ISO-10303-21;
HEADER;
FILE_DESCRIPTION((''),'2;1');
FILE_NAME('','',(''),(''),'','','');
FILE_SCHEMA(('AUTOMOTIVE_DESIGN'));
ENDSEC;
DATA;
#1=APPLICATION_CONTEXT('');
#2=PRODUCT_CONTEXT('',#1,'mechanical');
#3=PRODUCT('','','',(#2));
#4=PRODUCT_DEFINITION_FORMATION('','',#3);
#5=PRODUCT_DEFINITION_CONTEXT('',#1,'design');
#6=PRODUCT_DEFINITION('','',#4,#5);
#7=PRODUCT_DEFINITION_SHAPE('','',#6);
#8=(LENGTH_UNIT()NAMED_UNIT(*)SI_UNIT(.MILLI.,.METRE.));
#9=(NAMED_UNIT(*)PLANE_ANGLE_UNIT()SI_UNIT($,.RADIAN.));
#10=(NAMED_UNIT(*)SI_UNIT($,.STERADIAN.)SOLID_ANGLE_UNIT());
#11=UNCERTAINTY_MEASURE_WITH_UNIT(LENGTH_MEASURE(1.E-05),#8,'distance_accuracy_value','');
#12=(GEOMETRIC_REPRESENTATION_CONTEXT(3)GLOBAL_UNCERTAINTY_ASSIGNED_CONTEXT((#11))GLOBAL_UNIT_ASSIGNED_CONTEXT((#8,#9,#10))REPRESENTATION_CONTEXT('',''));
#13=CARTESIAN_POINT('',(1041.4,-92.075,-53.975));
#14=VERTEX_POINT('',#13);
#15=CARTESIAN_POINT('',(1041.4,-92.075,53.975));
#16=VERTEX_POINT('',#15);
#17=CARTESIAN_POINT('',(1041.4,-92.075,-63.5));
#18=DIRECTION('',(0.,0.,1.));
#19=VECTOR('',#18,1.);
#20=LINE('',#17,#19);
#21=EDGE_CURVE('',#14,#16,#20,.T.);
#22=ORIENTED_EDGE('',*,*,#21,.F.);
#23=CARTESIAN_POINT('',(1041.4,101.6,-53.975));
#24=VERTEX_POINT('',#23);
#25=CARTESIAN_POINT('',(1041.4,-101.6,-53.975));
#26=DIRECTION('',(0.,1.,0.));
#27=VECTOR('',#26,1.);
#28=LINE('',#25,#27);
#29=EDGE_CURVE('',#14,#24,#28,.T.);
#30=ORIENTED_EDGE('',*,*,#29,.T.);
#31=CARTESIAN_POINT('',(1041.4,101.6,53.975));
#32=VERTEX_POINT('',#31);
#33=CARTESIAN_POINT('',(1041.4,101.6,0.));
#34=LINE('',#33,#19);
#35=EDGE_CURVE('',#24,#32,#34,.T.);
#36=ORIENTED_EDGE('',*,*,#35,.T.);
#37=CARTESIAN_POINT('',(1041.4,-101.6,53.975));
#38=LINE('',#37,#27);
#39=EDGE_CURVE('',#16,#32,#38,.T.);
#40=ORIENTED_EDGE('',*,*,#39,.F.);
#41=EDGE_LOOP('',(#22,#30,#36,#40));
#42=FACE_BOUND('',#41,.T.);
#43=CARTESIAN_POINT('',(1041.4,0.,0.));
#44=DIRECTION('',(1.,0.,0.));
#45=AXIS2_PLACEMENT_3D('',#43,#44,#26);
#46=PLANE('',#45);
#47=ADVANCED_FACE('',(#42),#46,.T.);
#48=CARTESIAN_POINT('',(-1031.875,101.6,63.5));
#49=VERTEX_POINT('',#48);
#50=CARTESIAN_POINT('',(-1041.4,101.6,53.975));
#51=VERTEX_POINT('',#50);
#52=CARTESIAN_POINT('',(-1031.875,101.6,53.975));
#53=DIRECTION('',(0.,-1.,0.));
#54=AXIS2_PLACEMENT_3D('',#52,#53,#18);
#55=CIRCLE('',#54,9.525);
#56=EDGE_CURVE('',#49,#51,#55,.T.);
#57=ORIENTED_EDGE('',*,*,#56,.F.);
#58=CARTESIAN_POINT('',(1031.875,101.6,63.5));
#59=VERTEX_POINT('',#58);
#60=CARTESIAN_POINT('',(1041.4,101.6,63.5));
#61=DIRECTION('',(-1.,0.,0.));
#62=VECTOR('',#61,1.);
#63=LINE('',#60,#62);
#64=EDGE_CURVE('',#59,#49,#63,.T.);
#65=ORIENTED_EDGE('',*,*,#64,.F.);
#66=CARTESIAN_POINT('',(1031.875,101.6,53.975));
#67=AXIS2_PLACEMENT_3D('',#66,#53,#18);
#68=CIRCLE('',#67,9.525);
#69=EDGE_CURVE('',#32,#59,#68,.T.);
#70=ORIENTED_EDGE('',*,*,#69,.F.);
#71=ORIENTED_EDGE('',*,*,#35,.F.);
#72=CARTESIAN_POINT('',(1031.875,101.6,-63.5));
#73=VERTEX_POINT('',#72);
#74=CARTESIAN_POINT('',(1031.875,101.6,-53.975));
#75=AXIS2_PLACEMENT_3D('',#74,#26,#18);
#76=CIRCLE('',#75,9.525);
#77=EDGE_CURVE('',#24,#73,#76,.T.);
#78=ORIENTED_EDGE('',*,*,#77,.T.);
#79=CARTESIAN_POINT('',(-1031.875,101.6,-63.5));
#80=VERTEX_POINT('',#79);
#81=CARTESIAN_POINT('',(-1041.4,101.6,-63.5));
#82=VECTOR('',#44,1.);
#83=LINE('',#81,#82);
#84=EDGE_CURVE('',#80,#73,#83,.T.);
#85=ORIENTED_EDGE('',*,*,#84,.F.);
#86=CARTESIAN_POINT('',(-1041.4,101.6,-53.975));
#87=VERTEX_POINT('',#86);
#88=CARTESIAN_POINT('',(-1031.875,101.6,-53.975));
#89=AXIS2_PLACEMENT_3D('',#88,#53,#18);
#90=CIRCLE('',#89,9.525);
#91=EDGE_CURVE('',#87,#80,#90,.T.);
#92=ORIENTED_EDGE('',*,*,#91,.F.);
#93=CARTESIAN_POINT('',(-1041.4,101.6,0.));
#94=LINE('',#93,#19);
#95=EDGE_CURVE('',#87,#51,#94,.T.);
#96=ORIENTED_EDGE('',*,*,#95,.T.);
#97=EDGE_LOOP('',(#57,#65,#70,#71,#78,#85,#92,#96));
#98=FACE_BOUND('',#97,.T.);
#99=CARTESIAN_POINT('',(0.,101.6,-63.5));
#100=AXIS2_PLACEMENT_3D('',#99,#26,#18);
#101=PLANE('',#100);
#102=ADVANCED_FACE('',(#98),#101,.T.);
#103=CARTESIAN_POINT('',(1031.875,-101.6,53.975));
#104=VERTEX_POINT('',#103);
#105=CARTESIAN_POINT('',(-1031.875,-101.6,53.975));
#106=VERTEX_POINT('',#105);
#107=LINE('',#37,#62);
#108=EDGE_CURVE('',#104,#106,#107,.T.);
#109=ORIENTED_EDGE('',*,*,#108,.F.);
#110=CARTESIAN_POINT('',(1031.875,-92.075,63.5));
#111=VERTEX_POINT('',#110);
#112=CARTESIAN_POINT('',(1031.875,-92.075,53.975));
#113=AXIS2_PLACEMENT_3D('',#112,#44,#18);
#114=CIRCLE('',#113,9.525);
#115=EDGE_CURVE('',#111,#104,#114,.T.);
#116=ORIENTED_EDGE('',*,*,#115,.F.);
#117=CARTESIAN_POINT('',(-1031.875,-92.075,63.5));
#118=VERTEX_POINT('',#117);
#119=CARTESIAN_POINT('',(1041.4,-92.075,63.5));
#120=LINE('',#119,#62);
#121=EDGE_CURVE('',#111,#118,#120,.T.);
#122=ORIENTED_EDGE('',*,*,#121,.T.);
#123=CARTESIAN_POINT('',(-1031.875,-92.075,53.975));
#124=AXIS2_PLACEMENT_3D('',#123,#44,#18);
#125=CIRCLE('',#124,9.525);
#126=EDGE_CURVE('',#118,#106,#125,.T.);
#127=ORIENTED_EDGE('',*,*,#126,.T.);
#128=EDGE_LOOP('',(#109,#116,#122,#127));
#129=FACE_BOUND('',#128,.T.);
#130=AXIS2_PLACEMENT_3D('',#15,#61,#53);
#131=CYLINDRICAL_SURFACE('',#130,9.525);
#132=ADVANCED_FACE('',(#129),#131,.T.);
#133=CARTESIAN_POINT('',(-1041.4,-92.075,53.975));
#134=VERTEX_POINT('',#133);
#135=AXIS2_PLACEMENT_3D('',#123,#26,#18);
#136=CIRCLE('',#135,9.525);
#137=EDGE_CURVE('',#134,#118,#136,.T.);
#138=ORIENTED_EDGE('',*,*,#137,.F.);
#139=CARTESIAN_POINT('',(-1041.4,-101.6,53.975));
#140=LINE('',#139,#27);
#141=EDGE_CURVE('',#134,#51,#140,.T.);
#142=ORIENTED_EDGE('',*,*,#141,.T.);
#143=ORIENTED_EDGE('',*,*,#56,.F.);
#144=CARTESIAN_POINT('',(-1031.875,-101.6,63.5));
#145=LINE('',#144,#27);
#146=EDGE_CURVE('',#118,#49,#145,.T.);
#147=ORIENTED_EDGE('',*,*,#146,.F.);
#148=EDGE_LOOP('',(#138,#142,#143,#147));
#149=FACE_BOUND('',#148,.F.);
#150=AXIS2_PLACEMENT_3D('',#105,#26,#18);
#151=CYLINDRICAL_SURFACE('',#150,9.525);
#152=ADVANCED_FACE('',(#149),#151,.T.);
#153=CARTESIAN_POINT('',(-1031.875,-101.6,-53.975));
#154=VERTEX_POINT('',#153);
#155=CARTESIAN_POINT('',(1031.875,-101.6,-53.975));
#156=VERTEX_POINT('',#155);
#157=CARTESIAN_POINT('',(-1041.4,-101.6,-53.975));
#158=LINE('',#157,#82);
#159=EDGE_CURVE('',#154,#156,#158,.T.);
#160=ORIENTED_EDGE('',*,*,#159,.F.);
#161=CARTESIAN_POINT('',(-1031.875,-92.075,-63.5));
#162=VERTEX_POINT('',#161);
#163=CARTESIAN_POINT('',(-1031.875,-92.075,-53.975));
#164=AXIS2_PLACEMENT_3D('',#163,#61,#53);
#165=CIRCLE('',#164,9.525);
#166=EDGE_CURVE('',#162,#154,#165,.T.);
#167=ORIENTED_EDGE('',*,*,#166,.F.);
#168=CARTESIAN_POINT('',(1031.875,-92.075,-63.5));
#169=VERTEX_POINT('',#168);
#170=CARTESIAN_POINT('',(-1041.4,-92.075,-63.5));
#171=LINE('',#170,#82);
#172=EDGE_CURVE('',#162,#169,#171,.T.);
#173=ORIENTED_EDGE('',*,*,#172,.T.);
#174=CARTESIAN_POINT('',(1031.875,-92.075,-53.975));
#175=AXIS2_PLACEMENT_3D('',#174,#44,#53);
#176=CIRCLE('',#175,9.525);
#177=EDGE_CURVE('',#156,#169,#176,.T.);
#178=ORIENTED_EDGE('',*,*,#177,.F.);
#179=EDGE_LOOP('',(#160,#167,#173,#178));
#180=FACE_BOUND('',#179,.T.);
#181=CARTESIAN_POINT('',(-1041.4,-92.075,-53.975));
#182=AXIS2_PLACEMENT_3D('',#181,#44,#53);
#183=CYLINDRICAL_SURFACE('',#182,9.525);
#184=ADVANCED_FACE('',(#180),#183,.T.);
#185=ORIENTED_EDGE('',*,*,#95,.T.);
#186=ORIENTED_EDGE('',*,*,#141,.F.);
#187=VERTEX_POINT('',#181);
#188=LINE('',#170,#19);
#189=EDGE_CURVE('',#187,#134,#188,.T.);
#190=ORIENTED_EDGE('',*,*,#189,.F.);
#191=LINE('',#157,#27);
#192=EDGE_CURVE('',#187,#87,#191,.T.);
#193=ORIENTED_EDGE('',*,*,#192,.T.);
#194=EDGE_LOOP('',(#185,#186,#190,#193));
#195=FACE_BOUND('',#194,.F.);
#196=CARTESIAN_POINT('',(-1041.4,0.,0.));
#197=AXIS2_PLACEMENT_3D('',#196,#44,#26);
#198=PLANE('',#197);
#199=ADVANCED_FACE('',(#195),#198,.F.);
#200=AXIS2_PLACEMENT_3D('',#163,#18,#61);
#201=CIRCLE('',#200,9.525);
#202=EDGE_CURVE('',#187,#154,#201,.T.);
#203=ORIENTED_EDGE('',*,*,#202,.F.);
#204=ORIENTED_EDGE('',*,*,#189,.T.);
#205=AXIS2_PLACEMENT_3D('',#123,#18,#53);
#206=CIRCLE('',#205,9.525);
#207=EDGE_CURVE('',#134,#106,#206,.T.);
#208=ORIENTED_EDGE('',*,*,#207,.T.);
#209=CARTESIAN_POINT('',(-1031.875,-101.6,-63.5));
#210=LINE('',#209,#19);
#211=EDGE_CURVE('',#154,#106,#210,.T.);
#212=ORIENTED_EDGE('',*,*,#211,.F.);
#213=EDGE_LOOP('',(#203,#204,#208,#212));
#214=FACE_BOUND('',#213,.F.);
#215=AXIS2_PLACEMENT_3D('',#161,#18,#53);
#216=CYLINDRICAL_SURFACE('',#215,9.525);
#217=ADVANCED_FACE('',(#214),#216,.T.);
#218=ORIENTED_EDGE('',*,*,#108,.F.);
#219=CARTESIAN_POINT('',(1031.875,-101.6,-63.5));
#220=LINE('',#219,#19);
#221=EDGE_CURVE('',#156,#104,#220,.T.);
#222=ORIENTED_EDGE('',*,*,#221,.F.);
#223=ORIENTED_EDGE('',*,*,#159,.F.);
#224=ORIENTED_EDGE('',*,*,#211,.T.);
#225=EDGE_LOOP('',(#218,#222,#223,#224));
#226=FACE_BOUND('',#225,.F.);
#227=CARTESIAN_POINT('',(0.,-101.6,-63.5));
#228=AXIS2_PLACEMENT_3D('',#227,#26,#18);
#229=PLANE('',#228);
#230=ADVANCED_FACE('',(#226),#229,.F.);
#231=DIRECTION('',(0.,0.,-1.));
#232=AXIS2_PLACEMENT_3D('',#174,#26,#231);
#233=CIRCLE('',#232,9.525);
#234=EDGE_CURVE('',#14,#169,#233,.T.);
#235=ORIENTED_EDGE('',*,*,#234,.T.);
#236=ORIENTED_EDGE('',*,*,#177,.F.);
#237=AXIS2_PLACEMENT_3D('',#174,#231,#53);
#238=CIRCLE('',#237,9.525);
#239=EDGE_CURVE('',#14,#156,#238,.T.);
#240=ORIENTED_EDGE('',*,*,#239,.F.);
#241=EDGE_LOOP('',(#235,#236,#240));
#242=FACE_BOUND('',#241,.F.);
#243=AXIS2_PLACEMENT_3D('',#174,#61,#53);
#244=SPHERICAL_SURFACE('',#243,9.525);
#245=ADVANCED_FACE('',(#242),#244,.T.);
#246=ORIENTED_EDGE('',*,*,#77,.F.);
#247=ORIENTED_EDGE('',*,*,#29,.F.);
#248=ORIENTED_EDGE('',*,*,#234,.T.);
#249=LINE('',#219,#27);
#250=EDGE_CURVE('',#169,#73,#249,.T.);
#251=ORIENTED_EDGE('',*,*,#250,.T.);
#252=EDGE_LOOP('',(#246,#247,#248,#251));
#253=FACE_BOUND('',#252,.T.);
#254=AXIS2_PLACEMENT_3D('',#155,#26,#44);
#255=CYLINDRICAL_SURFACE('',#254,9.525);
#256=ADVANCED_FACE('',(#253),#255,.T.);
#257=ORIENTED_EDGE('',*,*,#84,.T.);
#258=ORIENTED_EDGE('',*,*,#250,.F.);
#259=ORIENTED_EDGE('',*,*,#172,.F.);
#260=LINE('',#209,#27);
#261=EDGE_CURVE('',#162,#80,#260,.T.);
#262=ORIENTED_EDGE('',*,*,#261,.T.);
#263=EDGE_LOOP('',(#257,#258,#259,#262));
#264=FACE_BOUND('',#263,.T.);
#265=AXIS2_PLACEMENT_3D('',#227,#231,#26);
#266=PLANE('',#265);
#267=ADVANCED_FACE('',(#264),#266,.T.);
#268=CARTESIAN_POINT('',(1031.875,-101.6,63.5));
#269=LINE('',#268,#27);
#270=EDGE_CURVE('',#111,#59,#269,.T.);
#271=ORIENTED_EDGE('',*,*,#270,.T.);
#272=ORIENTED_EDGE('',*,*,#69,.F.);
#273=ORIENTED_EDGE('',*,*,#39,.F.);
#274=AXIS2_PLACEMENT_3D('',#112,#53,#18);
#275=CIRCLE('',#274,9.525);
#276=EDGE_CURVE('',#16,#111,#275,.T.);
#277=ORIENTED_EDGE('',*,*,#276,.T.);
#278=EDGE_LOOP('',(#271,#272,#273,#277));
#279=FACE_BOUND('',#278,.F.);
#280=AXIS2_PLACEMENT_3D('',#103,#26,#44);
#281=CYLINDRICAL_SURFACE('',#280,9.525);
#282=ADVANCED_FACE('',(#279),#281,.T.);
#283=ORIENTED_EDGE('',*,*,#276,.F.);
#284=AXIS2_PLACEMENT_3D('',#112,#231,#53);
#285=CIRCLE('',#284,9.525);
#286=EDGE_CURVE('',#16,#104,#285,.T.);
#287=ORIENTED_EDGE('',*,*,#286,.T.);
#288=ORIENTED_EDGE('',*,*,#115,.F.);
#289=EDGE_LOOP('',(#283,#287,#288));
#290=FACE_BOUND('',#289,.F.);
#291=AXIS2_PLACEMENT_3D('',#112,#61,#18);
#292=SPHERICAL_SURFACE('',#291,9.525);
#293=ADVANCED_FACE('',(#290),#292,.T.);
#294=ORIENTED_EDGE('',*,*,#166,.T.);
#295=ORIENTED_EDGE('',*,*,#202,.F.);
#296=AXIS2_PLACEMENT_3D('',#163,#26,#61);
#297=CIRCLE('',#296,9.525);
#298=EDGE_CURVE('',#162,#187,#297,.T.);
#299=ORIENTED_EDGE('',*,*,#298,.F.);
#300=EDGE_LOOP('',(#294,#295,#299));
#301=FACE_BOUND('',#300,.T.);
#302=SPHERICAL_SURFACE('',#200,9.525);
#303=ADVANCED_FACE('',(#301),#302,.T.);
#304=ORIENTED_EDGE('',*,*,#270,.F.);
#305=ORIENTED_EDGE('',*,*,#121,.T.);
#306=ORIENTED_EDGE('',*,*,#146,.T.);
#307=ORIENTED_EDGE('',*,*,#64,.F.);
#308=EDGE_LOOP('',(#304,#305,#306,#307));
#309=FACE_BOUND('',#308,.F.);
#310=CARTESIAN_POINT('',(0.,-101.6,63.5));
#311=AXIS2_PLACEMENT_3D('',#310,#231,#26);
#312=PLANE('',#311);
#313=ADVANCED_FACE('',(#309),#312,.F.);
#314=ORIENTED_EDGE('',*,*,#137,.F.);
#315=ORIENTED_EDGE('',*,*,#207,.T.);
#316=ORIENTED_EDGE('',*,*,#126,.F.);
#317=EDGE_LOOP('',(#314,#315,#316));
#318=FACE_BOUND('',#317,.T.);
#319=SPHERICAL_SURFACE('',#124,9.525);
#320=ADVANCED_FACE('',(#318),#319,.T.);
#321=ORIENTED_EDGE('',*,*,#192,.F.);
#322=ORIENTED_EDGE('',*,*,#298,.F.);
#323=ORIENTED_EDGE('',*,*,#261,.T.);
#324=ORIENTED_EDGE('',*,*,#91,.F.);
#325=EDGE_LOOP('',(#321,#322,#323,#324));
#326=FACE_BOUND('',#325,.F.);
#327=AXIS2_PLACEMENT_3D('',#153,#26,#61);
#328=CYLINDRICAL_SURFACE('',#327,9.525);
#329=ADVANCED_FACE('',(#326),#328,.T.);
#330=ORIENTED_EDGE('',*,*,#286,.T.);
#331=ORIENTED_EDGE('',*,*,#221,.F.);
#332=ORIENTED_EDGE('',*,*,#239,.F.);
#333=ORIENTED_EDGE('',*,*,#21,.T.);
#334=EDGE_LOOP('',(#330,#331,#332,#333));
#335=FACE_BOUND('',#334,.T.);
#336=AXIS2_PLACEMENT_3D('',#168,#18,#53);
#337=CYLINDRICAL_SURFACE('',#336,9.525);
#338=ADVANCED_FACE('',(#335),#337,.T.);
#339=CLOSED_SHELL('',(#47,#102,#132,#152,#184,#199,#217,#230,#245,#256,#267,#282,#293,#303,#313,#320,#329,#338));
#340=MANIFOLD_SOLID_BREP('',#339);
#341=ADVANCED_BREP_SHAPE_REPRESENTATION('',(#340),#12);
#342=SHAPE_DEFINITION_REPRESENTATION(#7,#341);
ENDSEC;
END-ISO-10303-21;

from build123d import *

# Parameters (mm, degrees)
F0_W     = 203.2
F0_H     = 127
F1_DEPTH = 1041.4
F2_R     = 9.525


with BuildPart() as f1:
    # F0 (on Right) → F1 (new body, symmetric)
    with BuildSketch(Plane.YZ):
        Rectangle(F0_W, F0_H)
    extrude(amount=F1_DEPTH, both=True)

    # F2
    f2_edges = [f1.edges().sort_by_distance(p)[0] for p in [
        (0, -101.6, 63.5),
        (-1041.4, 0, 63.5),
        (-1041.4, -101.6, 0),
        (-1041.4, 0, -63.5),
        (0, -101.6, -63.5),
        (1041.4, 0, 63.5),
        (1041.4, -101.6, 0),
        (1041.4, 0, -63.5),
    ]]
    fillet(f2_edges, radius=F2_R)


solid = f1.part
